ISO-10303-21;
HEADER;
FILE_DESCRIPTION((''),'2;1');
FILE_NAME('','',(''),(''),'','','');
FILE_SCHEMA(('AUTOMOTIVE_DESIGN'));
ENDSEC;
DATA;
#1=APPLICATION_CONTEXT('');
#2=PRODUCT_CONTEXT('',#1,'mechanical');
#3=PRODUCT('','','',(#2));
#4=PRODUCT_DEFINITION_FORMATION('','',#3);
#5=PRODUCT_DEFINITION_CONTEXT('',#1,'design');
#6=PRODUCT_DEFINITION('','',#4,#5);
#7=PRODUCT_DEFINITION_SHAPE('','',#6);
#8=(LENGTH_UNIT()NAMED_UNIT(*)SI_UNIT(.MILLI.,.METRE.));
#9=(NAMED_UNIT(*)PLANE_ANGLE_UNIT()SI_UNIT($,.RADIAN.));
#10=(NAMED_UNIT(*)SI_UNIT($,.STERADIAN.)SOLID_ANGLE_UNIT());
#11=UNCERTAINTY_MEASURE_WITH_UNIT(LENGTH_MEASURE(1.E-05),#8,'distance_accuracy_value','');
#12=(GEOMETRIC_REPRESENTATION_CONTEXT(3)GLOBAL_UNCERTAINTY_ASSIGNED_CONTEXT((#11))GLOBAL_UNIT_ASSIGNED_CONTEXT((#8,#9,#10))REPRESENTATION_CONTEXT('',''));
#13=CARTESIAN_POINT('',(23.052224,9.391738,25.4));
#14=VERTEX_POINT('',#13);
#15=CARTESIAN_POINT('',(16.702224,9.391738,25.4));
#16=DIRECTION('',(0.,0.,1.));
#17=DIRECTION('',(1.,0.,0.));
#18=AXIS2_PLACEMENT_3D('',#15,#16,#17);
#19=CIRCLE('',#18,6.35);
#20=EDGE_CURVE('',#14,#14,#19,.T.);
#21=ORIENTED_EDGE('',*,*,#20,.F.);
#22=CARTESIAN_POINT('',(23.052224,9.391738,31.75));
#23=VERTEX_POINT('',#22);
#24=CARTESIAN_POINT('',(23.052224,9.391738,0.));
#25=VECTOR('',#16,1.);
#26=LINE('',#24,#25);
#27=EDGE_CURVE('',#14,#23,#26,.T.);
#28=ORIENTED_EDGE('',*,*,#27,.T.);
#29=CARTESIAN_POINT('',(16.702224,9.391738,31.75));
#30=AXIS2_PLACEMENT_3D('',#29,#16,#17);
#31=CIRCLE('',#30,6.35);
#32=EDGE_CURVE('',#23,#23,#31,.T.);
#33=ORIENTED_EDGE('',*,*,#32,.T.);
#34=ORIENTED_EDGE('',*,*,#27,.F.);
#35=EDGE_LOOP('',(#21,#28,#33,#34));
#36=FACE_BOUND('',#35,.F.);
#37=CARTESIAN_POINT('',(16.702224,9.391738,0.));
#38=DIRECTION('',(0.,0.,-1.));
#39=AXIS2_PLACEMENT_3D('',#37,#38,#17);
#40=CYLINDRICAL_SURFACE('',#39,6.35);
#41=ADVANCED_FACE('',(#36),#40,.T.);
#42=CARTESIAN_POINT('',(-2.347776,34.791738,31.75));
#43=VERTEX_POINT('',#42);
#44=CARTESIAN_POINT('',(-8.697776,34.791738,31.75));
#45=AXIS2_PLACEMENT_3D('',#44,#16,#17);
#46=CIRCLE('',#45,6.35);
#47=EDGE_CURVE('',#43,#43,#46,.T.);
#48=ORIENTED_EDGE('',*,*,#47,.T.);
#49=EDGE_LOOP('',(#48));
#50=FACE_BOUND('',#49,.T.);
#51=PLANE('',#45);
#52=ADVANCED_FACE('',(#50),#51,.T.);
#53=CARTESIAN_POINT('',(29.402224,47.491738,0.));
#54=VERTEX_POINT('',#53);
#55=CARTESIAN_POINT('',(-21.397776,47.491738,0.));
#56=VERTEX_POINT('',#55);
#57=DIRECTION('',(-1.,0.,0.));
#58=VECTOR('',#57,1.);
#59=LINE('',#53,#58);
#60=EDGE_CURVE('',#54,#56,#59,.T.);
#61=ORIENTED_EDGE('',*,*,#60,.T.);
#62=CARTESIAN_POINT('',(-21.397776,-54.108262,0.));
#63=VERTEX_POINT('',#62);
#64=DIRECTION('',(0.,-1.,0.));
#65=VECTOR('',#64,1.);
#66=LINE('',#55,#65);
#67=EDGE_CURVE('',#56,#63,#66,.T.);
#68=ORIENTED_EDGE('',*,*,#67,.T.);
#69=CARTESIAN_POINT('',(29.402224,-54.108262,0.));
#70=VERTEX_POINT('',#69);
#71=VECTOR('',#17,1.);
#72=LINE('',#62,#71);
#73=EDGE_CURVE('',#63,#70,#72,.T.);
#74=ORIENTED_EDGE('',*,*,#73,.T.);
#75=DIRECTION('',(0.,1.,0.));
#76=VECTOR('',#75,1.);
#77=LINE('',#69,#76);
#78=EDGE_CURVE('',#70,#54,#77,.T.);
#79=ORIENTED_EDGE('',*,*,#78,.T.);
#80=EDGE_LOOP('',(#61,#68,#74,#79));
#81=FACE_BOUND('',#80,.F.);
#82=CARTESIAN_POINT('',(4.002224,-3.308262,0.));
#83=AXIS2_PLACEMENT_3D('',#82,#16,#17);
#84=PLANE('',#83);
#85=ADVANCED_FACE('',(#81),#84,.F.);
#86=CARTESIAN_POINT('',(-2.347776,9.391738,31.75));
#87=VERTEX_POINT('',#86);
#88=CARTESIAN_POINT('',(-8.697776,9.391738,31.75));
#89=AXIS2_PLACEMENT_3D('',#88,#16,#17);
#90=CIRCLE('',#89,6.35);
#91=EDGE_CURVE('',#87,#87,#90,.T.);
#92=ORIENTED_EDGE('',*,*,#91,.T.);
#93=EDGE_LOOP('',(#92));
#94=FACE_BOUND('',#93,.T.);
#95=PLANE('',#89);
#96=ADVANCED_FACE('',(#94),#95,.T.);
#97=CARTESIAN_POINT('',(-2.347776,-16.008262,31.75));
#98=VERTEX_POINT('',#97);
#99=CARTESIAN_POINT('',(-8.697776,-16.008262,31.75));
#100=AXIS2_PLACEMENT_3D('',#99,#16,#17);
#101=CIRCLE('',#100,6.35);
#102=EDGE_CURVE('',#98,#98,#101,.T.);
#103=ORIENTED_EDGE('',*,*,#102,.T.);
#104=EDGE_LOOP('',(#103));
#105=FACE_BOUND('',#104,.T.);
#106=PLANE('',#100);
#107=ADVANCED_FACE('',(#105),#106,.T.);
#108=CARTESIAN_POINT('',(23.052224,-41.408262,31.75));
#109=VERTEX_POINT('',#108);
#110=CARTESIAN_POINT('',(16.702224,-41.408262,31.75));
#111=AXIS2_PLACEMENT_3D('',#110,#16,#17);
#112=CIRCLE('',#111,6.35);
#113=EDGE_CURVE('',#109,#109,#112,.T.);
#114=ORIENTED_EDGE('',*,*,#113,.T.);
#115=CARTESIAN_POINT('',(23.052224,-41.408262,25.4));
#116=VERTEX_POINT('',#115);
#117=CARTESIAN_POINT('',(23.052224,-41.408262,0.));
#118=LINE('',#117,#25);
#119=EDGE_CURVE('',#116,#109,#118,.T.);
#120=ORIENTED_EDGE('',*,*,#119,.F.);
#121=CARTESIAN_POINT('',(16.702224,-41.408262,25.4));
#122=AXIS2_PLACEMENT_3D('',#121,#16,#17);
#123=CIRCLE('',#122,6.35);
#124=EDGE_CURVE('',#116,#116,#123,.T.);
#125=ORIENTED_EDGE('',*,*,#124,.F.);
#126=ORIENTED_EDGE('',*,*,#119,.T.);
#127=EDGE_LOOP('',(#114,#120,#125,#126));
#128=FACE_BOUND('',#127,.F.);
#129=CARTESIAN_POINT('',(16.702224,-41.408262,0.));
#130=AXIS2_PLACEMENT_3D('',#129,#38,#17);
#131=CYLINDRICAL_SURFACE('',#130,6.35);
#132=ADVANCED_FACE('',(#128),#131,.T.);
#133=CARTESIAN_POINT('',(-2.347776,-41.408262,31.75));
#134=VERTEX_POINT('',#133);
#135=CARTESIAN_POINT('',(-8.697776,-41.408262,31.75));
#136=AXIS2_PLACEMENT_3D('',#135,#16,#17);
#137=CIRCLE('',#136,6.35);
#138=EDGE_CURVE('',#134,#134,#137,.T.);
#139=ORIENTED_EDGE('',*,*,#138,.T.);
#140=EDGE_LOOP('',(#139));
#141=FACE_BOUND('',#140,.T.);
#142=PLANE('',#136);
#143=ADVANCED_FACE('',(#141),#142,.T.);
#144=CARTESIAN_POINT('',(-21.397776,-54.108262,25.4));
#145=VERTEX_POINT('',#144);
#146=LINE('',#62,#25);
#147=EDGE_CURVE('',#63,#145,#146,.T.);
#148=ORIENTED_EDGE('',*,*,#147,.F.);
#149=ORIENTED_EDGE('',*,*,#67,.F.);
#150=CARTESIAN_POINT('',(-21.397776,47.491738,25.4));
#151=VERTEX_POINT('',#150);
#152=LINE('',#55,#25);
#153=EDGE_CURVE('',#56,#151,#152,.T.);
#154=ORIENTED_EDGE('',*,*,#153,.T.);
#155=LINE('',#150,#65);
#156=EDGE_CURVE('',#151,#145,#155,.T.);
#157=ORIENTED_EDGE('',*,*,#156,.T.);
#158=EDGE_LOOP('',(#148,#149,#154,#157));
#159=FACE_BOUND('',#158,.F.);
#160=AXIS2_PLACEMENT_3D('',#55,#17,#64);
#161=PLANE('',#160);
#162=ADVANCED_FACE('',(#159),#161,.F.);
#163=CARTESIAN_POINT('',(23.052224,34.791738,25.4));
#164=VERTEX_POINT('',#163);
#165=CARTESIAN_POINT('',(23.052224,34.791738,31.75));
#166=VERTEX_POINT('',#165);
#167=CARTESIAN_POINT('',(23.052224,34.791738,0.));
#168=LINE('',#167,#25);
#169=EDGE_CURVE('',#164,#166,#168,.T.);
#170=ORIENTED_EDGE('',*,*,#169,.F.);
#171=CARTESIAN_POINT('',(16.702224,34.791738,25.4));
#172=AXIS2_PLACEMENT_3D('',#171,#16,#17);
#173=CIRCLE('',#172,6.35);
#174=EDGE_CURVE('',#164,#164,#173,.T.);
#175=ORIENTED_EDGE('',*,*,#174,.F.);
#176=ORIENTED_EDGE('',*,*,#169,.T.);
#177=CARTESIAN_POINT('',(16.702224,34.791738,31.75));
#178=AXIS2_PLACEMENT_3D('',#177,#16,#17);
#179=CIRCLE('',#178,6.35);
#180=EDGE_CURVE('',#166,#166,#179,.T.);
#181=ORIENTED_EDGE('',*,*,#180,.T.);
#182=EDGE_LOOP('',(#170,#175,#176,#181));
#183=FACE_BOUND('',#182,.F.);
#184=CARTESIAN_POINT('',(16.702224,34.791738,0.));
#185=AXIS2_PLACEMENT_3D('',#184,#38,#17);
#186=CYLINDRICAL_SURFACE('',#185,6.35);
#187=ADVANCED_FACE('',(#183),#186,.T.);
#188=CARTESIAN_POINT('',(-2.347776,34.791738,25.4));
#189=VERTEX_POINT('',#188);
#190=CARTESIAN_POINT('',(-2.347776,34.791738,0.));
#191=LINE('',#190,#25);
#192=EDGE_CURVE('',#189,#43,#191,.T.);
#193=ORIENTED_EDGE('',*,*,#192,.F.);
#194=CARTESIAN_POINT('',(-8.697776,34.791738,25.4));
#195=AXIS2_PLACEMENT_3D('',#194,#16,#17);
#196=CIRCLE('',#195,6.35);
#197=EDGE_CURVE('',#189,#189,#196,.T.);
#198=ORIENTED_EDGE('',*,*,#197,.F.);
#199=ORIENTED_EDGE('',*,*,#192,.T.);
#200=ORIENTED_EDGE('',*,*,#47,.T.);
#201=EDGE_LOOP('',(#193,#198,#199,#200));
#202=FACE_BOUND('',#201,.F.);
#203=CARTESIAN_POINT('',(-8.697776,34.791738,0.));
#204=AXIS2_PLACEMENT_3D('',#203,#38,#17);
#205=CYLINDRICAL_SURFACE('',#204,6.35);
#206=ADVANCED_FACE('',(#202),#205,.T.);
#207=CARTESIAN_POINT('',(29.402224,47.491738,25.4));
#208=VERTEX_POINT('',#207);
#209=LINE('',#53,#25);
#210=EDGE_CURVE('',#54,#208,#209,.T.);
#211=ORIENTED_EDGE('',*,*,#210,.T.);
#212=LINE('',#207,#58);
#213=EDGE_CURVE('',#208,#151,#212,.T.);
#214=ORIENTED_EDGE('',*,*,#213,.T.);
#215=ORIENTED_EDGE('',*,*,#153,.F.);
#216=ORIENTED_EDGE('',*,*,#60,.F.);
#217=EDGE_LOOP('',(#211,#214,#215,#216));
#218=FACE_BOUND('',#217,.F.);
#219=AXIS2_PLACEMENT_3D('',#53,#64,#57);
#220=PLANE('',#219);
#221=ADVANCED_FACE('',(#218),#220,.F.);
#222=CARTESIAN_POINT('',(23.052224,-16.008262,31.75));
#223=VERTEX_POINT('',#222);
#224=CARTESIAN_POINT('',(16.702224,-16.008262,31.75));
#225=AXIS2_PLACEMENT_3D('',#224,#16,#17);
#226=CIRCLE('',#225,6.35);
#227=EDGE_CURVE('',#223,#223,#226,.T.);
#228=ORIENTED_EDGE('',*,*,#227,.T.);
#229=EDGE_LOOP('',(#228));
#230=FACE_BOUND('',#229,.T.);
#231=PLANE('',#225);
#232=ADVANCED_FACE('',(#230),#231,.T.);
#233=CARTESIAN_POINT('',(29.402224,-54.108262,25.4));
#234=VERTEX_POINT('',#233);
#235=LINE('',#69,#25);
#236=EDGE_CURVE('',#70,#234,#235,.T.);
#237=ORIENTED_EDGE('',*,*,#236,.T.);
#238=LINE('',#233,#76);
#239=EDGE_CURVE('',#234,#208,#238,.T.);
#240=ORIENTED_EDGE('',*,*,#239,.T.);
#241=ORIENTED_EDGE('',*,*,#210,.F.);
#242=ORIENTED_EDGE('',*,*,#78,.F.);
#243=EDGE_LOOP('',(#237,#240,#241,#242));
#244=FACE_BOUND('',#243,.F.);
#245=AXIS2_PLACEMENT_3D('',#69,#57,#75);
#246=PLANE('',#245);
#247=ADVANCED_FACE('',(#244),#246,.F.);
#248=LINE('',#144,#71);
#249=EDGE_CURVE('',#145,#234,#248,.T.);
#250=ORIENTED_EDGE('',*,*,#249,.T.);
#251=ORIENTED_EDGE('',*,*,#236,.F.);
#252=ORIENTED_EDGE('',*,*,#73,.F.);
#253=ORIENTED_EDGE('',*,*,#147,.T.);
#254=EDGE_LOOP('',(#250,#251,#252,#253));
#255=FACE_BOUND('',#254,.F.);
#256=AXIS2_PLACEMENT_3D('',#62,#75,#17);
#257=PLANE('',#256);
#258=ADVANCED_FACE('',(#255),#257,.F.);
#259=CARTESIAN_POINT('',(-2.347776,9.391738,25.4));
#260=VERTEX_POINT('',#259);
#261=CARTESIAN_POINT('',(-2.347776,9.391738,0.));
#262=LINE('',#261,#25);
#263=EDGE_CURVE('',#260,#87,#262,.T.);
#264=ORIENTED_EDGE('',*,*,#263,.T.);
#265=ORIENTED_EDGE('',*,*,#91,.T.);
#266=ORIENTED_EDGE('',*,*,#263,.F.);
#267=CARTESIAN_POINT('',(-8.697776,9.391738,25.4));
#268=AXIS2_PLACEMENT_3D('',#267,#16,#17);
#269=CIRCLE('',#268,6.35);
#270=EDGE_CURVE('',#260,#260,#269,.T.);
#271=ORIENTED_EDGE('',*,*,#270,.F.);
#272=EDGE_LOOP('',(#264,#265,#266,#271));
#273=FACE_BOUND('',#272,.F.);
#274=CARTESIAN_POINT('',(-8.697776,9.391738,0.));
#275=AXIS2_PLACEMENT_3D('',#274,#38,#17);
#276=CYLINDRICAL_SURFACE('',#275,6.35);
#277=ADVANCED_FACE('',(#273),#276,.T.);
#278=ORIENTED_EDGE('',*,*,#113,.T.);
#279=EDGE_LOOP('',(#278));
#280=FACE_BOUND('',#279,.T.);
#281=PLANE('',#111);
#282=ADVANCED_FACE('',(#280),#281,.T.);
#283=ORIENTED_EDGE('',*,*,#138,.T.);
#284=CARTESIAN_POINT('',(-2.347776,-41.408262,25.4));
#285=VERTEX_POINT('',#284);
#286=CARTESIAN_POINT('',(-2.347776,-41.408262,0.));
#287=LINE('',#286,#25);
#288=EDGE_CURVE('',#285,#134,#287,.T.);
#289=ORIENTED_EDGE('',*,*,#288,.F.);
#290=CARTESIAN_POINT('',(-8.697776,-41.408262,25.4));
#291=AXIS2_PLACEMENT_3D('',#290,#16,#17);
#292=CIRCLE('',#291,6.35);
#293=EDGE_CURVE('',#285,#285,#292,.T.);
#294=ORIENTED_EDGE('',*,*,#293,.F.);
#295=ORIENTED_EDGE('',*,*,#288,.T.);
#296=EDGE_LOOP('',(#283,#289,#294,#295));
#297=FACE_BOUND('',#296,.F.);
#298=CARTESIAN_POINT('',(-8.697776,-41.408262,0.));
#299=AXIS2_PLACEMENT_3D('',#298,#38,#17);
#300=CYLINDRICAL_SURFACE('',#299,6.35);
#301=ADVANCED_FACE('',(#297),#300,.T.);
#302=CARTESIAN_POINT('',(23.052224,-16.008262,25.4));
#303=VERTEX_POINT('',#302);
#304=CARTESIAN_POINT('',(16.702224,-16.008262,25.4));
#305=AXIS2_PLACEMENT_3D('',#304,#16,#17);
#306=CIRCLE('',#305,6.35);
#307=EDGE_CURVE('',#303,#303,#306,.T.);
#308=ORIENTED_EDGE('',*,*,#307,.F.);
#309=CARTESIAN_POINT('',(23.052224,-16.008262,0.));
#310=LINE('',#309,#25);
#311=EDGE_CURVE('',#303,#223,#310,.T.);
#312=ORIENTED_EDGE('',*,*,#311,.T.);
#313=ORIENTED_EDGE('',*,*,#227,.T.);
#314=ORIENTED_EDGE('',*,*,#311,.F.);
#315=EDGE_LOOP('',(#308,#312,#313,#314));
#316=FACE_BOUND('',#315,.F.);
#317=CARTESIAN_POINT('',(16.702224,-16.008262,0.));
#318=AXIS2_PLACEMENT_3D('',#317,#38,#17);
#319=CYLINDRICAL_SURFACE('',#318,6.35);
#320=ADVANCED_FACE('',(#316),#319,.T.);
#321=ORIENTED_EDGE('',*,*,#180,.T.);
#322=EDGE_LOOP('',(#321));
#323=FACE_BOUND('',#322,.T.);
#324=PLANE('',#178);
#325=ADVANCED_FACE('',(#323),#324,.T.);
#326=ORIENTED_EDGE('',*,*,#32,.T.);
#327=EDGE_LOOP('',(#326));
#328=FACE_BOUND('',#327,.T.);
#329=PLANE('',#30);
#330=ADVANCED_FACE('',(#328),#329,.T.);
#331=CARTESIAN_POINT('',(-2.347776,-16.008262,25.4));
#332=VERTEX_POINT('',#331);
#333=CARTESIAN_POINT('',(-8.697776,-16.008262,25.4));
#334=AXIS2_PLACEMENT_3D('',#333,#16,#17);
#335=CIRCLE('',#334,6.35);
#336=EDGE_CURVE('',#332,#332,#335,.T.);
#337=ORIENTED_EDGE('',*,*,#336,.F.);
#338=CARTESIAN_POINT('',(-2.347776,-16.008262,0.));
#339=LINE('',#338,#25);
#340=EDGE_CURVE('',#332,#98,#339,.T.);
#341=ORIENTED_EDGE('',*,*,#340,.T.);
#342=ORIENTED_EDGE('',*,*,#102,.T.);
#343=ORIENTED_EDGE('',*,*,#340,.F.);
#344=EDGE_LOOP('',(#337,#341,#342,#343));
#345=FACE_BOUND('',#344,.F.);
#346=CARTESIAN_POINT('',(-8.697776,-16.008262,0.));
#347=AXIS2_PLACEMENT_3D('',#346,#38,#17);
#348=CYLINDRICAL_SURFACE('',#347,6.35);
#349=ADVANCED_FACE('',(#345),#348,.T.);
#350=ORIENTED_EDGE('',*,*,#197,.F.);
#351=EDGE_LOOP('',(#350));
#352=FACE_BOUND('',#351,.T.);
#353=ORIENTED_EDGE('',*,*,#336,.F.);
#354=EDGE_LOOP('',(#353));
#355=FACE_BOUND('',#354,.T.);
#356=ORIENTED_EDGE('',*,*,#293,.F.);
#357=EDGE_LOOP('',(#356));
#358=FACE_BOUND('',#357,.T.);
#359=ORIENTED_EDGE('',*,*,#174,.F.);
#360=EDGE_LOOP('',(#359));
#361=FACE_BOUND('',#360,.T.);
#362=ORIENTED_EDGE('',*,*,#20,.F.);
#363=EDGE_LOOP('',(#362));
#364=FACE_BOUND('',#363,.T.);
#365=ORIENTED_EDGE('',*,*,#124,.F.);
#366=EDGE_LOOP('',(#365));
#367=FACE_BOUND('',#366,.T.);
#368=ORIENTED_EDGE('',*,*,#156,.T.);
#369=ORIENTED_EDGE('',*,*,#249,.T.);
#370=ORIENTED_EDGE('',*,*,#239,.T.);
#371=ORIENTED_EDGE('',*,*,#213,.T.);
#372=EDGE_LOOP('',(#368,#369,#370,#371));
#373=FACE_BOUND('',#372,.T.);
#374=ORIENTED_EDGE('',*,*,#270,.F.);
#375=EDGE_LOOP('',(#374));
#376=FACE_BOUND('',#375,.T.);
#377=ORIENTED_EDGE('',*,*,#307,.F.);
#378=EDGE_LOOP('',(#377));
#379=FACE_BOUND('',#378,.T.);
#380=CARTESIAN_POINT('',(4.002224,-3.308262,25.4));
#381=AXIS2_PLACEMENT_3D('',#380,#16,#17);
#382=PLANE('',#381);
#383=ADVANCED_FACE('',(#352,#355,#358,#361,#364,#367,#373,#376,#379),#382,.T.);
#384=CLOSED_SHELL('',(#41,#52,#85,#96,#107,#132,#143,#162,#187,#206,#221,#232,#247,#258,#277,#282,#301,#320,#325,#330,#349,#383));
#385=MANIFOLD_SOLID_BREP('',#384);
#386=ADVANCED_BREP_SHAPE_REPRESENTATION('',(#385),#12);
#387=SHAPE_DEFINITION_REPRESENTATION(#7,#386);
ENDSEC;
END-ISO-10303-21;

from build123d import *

# Parameters (mm, degrees)
F0_R     = 6.35
F1_DEPTH = 25.4
F2_DEPTH = 31.75


with BuildPart() as f1:
    # F0 (on Top) → F1 (new body)
    with BuildSketch(Plane.XY):
        Polygon((-8.697776, 47.491738), (-21.397776, 47.491738), (-21.397776, 34.791738), (-21.397776, 9.391738), (-21.397776, -16.008262), (-21.397776, -41.408262), (-21.397776, -54.108262), (29.402224, -54.108262), (29.402224, 47.491738), (16.702224, 47.491738), align=None)
        with Locations((-8.697776, -41.408262)):
            Circle(F0_R, mode=Mode.SUBTRACT)
        with Locations((-8.697776, -16.008262)):
            Circle(F0_R, mode=Mode.SUBTRACT)
        with Locations((16.702224, -41.408262)):
            Circle(F0_R, mode=Mode.SUBTRACT)
        with Locations((16.702224, -16.008262)):
            Circle(F0_R, mode=Mode.SUBTRACT)
        with Locations((-8.697776, 9.391738)):
            Circle(F0_R, mode=Mode.SUBTRACT)
        with Locations((-8.697776, 34.791738)):
            Circle(F0_R, mode=Mode.SUBTRACT)
        with Locations((16.702224, 9.391738)):
            Circle(F0_R, mode=Mode.SUBTRACT)
        with Locations((16.702224, 34.791738)):
            Circle(F0_R, mode=Mode.SUBTRACT)
    extrude(amount=F1_DEPTH)

    # F0 (on Top) → F2 (join)
    with BuildSketch(Plane.XY):
        with Locations((-8.697776, 34.791738)):
            Circle(F0_R)
        with Locations((16.702224, 34.791738)):
            Circle(F0_R)
        with Locations((16.702224, 9.391738)):
            Circle(F0_R)
        with Locations((-8.697776, 9.391738)):
            Circle(F0_R)
        with Locations((-8.697776, -16.008262)):
            Circle(F0_R)
        with Locations((16.702224, -16.008262)):
            Circle(F0_R)
        with Locations((-8.697776, -41.408262)):
            Circle(F0_R)
        with Locations((16.702224, -41.408262)):
            Circle(F0_R)
    extrude(amount=F2_DEPTH)


solid = f1.part
